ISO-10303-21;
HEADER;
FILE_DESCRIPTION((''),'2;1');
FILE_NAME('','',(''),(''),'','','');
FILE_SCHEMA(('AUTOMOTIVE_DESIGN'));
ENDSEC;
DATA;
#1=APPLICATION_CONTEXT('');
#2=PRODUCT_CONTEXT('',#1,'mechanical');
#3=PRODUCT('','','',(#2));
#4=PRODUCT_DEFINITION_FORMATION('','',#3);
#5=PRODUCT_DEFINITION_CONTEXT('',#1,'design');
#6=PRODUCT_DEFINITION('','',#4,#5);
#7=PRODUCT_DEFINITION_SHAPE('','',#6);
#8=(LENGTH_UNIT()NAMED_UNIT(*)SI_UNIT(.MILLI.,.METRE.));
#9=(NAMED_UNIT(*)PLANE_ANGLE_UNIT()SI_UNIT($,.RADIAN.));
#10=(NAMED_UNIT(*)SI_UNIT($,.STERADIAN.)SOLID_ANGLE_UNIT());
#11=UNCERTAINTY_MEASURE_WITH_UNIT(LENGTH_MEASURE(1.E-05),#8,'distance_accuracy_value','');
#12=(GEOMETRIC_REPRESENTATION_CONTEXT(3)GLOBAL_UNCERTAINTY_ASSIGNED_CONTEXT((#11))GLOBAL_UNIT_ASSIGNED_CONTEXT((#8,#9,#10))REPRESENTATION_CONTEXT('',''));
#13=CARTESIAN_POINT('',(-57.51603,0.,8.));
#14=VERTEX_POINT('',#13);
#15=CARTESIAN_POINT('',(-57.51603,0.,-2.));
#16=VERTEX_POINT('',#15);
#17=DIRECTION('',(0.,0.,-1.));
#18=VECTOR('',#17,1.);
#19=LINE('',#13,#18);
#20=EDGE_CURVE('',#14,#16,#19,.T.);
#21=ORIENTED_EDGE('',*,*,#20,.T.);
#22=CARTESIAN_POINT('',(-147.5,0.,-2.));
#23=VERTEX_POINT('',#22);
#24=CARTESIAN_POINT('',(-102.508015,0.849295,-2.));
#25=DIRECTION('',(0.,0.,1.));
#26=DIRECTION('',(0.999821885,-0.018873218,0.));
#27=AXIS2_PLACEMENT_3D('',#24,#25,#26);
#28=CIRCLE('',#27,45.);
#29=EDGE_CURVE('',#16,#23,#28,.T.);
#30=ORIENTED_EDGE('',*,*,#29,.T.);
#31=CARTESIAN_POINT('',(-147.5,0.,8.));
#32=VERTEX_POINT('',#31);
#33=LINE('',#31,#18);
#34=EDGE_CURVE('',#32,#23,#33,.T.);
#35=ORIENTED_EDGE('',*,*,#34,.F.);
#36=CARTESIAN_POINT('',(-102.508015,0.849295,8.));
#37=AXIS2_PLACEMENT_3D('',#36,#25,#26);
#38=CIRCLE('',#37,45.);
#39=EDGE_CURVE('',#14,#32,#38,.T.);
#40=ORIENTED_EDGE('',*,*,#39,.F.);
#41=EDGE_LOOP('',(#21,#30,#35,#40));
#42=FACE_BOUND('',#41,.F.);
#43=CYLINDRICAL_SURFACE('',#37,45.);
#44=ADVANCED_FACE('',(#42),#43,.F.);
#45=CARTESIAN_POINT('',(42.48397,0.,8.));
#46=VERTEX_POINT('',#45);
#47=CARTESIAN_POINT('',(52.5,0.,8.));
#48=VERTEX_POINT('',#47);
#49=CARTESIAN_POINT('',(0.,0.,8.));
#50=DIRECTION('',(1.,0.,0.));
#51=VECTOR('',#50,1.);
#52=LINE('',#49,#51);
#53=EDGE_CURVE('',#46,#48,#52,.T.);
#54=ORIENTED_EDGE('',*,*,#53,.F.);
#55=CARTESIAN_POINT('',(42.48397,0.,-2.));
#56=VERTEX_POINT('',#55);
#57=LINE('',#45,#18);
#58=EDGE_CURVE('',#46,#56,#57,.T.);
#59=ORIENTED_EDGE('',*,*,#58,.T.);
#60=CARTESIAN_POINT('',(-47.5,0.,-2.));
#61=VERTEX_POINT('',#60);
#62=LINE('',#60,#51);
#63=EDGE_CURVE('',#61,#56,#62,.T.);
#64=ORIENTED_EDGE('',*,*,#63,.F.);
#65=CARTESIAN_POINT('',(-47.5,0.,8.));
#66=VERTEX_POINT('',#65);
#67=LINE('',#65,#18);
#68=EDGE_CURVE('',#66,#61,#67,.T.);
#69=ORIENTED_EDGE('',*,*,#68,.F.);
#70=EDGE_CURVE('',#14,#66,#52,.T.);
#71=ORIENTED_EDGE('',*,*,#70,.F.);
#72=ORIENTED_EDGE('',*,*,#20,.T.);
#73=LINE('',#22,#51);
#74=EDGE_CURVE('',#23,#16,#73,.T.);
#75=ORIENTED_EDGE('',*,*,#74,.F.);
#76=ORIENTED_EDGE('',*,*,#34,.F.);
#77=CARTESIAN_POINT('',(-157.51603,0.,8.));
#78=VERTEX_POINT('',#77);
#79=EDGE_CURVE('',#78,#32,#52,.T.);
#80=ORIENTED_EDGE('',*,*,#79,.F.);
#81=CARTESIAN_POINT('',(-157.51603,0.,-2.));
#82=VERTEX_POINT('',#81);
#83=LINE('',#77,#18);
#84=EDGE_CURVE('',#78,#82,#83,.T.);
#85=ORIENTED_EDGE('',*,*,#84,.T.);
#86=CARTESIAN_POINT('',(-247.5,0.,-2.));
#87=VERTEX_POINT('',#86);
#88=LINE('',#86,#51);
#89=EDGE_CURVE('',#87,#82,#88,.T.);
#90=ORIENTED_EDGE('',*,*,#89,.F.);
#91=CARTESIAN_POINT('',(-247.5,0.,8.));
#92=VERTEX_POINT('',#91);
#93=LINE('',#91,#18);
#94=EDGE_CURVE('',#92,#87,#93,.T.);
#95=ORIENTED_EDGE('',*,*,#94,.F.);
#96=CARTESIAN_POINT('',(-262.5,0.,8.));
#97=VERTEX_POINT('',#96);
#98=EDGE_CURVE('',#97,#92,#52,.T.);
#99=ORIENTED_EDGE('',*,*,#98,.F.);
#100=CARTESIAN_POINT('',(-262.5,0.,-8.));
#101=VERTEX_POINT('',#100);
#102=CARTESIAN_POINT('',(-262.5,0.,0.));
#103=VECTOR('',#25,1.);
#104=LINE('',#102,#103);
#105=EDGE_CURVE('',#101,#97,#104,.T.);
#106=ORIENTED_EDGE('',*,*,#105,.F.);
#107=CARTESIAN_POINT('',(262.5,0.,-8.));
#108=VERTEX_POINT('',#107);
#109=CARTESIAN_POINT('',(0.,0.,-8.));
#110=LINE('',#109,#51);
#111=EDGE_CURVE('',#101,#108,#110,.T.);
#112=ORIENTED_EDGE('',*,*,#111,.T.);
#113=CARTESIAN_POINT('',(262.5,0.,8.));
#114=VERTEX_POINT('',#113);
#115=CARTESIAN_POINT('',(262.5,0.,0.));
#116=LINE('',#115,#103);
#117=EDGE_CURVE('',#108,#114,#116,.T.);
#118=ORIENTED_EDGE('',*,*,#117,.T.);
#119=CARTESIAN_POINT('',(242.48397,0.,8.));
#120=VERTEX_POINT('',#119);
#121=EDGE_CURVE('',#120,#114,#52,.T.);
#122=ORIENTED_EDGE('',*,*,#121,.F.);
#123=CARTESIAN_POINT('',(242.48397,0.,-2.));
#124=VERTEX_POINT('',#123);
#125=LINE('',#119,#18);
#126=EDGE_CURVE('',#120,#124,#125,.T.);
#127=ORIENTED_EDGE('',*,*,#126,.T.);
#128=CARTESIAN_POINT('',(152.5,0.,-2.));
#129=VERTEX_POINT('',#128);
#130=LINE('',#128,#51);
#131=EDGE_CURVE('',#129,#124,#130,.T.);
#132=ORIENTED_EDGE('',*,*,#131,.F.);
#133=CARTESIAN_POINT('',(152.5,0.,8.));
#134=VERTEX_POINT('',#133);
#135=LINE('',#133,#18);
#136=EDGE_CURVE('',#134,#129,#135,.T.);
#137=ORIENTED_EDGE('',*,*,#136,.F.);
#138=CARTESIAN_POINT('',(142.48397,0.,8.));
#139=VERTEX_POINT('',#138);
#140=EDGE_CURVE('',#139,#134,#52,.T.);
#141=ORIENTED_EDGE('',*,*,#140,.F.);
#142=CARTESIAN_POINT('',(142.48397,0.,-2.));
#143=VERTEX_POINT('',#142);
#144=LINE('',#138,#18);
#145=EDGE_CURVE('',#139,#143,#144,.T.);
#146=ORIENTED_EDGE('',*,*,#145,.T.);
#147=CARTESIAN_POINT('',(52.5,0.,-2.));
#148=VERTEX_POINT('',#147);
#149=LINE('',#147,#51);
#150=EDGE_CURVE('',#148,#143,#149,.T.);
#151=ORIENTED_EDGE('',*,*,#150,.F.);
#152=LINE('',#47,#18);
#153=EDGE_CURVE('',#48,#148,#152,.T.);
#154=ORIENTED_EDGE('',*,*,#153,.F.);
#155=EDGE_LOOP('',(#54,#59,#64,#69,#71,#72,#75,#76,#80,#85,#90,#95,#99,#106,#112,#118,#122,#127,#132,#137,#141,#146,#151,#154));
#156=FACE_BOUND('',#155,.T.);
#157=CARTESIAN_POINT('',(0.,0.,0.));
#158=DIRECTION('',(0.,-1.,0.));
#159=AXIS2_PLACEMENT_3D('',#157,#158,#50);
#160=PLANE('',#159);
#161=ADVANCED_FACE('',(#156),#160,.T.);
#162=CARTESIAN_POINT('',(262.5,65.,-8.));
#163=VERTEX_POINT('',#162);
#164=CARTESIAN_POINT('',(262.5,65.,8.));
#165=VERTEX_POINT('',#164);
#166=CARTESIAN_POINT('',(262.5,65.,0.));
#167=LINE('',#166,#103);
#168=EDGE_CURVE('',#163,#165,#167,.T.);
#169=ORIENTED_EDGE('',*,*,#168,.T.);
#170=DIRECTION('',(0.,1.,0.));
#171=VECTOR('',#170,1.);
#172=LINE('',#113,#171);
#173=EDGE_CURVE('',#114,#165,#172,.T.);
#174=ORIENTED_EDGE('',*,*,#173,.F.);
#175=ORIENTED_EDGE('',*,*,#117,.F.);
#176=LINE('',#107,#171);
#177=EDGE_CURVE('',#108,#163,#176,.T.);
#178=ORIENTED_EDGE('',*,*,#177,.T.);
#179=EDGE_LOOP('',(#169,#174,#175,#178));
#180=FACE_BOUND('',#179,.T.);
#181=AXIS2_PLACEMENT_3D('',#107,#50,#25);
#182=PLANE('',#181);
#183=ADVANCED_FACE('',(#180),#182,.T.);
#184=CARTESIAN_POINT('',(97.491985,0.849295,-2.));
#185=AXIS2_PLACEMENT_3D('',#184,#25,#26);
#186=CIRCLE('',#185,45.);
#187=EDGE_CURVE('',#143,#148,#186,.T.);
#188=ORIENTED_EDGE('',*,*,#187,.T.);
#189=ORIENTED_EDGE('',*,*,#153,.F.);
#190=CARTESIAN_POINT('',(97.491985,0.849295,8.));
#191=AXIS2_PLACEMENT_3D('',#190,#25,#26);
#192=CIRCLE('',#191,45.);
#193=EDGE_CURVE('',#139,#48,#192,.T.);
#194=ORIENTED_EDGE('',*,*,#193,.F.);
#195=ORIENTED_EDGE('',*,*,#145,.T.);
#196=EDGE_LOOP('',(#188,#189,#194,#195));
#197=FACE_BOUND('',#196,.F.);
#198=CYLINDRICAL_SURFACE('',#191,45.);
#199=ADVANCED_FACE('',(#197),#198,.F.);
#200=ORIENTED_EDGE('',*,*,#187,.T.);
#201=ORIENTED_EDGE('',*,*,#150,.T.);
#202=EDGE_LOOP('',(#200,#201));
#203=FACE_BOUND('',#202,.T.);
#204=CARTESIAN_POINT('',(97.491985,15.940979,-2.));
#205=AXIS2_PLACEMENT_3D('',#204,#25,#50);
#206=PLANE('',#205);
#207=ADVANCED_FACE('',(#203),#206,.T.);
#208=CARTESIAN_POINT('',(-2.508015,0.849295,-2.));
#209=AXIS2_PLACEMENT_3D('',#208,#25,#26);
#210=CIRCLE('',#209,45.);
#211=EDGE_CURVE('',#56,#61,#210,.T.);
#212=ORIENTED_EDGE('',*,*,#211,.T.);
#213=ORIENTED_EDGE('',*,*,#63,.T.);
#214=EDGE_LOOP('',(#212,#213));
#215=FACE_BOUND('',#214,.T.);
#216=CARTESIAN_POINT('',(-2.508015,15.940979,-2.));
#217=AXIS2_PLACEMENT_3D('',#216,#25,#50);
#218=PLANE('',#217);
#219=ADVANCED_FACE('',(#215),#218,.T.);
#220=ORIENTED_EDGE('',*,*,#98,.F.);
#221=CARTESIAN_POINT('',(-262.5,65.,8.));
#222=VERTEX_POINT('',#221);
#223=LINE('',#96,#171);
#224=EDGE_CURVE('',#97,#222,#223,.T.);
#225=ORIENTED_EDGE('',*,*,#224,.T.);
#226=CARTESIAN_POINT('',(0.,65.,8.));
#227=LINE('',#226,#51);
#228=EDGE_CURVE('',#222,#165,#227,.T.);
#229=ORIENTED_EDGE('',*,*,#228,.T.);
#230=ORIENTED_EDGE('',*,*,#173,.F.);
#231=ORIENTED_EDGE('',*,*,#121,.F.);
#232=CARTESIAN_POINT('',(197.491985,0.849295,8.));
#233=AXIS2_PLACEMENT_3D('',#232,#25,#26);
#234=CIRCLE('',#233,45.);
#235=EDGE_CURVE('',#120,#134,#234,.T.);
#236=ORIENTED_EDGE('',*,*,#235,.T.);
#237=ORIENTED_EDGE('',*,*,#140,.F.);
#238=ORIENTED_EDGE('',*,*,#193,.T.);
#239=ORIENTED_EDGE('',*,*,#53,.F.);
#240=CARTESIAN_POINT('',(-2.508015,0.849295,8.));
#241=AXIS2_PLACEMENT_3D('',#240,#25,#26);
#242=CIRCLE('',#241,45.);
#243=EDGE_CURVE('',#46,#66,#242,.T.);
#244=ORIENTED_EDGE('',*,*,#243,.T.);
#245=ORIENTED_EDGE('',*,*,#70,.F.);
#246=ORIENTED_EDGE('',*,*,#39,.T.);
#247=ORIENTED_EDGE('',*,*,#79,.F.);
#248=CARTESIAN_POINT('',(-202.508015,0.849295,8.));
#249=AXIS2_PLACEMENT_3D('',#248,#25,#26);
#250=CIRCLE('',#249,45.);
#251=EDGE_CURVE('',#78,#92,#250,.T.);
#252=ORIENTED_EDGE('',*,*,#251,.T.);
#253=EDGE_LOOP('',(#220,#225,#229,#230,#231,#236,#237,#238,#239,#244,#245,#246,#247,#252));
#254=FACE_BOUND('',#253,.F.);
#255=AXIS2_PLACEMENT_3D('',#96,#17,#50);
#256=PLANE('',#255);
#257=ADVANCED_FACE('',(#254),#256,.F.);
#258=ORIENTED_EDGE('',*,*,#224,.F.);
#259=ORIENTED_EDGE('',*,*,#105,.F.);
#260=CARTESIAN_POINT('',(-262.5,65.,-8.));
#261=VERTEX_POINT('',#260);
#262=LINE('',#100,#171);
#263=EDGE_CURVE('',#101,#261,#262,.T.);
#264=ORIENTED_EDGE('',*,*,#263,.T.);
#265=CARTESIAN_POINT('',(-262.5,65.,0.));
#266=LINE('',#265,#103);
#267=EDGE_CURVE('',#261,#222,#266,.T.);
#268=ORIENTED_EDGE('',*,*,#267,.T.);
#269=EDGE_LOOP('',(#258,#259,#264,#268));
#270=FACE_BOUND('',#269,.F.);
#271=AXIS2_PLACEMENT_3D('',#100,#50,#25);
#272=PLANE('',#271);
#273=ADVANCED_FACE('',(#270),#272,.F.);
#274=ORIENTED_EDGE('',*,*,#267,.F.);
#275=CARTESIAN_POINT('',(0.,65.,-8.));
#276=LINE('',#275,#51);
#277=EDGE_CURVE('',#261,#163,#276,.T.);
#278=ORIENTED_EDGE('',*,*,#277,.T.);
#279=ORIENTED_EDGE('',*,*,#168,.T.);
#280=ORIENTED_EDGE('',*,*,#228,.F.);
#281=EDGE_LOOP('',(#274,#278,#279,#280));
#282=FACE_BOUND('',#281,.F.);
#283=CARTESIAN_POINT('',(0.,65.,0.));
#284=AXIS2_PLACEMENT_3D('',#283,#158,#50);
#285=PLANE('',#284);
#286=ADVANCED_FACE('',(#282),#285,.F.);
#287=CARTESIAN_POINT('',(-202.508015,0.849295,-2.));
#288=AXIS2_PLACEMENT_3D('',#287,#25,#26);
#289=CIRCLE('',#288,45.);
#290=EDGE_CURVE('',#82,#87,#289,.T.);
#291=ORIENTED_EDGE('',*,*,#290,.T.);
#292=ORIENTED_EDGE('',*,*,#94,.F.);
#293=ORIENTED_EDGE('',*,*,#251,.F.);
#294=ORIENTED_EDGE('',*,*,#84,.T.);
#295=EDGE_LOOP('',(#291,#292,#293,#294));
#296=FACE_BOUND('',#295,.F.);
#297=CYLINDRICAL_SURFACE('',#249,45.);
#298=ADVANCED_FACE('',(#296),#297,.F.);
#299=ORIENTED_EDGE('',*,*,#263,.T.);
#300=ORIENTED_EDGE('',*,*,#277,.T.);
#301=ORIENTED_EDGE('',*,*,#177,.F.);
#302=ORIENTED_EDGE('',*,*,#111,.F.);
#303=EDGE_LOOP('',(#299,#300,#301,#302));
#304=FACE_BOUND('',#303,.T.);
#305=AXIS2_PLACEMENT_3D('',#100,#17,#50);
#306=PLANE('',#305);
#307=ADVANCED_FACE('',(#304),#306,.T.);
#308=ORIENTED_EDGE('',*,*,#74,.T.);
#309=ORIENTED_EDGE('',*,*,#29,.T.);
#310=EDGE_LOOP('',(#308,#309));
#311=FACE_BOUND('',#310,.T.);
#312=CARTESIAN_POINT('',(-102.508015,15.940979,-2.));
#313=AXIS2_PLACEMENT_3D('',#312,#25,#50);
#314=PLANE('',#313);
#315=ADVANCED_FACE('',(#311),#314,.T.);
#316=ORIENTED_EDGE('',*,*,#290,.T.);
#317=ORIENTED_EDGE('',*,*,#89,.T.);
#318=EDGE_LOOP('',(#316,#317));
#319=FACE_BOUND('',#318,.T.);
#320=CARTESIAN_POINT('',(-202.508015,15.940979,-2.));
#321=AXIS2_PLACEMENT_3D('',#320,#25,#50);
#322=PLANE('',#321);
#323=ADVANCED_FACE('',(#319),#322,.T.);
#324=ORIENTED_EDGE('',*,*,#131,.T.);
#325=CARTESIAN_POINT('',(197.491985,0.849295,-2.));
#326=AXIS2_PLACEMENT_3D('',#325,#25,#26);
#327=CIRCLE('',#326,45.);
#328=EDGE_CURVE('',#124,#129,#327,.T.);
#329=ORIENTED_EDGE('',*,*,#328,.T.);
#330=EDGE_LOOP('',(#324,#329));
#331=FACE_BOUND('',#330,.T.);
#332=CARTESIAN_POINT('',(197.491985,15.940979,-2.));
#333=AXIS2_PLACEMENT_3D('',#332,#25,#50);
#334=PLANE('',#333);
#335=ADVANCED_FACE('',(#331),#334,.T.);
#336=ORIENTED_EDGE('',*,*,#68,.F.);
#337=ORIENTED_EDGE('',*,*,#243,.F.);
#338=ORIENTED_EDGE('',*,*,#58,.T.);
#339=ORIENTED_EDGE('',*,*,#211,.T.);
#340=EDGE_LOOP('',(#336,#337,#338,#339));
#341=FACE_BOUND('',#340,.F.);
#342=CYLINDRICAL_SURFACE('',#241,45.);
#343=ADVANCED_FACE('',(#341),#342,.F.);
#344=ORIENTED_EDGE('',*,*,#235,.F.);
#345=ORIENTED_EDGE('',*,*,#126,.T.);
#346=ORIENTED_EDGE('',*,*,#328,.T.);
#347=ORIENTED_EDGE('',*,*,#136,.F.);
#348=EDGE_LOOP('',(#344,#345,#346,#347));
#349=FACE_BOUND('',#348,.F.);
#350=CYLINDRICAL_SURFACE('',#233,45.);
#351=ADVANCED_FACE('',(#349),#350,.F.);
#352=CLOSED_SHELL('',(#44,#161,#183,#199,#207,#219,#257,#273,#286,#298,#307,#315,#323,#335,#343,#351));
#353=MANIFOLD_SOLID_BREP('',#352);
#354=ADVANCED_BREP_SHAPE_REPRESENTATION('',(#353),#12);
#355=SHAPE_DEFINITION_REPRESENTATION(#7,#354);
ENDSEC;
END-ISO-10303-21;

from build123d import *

# Parameters (mm, degrees)
F0_W     = 525
F0_H     = 16
F1_DEPTH = 65
F3_DEPTH = 10


with BuildPart() as f1:
    # F0 (on Front) → F1 (new body)
    with BuildSketch(Plane.XZ):
        Rectangle(F0_W, F0_H)
    extrude(amount=-F1_DEPTH)

    # F2 (on face) → F3 (cut)
    with BuildSketch(Plane.XY.offset(8)):
        with BuildLine():
            Line((-247.5, 0), (-157.51603, 0))
            ThreePointArc((-157.51603, 0), (-202.508015, 45.849295), (-247.5, 0))
        make_face()
        with BuildLine():
            ThreePointArc((-57.51603, 0), (-102.508015, 45.849295), (-147.5, 0))
            Line((-147.5, 0), (-57.51603, 0))
        make_face()
        with BuildLine():
            ThreePointArc((42.48397, 0), (-2.508015, 45.849295), (-47.5, 0))
            Line((-47.5, 0), (42.48397, 0))
        make_face()
        with BuildLine():
            ThreePointArc((142.48397, 0), (97.491985, 45.849295), (52.5, 0))
            Line((52.5, 0), (142.48397, 0))
        make_face()
        with BuildLine():
            Line((152.5, 0), (242.48397, 0))
            ThreePointArc((242.48397, 0), (197.491985, 45.849295), (152.5, 0))
        make_face()
    extrude(amount=-F3_DEPTH, mode=Mode.SUBTRACT)


solid = f1.part
